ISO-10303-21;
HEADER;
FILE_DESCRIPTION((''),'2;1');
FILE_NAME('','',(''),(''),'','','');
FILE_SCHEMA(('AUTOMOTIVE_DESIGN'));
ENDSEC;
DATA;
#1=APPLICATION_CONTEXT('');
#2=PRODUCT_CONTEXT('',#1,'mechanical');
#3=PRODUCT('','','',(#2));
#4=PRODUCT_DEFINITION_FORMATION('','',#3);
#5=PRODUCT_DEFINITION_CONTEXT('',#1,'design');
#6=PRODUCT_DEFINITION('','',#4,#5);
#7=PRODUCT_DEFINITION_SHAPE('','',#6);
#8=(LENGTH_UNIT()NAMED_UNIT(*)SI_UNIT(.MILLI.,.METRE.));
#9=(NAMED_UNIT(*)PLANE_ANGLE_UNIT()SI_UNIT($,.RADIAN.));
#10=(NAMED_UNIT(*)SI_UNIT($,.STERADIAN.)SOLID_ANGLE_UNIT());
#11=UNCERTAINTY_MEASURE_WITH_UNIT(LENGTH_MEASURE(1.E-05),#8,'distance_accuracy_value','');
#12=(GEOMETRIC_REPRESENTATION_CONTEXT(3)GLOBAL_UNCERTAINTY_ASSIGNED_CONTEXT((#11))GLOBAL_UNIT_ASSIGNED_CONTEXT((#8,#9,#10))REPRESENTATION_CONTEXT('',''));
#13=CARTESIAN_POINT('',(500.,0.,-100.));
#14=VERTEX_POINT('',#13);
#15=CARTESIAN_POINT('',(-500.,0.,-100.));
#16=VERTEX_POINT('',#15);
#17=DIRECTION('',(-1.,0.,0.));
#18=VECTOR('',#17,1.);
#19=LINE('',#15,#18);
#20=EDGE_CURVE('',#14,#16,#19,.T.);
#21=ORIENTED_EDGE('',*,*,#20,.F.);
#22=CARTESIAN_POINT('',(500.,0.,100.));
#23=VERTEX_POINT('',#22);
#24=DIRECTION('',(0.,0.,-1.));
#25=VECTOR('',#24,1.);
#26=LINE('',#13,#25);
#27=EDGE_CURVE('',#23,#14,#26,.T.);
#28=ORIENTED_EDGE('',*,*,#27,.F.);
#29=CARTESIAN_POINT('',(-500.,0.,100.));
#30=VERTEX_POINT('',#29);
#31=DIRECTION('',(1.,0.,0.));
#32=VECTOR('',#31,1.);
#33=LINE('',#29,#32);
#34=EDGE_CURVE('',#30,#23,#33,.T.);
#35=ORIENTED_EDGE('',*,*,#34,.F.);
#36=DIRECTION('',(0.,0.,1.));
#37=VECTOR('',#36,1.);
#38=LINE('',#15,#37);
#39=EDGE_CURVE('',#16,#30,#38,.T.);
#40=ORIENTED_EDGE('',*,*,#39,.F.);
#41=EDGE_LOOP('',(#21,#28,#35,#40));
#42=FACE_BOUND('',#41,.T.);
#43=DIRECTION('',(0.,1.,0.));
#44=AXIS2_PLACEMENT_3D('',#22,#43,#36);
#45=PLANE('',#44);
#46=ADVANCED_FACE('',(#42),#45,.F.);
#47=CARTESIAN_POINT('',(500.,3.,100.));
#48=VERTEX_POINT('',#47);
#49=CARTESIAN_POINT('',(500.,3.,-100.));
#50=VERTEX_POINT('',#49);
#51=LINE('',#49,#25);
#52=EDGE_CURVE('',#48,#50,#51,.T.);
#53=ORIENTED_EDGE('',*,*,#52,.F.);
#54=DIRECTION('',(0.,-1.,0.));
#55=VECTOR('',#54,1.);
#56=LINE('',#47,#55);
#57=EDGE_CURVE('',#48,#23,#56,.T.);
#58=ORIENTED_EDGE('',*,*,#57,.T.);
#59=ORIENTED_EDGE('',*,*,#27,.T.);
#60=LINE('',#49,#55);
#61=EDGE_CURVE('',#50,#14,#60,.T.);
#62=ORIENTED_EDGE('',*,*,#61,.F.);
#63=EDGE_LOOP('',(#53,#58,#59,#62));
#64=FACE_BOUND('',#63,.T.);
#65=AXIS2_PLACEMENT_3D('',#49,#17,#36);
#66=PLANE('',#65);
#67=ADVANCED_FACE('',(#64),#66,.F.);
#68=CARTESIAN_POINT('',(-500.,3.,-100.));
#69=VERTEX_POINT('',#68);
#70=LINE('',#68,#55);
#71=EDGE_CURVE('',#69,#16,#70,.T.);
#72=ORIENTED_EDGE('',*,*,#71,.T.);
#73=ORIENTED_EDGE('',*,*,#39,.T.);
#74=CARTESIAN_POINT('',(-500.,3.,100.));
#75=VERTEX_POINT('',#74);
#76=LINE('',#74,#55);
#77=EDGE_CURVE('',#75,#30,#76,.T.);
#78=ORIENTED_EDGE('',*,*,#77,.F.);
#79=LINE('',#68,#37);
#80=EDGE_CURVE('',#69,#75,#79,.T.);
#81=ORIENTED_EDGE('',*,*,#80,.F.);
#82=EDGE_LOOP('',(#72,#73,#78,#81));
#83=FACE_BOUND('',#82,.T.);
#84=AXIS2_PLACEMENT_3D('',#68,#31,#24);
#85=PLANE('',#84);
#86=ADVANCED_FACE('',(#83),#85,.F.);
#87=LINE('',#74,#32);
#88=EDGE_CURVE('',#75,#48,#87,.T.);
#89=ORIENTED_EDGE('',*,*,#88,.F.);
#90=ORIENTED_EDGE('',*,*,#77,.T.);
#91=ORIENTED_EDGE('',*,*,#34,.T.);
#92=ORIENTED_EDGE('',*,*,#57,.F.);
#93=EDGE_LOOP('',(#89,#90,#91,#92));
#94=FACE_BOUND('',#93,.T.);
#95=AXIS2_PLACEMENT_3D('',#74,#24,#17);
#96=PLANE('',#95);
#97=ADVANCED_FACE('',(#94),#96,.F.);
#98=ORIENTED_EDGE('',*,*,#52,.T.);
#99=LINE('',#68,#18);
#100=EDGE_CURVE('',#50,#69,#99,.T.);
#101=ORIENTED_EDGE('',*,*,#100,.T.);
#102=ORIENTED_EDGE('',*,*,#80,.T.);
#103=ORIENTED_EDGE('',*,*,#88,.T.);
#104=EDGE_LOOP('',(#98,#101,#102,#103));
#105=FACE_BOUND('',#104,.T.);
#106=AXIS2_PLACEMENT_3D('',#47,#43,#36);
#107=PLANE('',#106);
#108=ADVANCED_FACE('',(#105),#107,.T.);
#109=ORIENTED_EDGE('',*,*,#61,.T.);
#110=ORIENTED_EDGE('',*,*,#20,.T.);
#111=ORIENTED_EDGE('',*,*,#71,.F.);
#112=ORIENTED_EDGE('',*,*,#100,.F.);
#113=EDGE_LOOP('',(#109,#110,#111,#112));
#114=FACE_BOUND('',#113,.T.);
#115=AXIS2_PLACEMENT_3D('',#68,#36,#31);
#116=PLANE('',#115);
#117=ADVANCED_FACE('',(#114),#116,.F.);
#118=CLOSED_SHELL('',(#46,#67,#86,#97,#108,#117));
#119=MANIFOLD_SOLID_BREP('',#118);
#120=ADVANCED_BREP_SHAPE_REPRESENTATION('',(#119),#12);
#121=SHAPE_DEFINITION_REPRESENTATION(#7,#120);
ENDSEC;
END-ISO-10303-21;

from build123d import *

# Parameters (mm, degrees)
SKETCH1_W      = 1000
SKETCH1_H      = 200
EXTRUDE1_DEPTH = 3


with BuildPart() as part:
    # Sketch1 → Extrude1 (new body)
    with BuildSketch(Plane(origin=(0, 0, 0), x_dir=(1, 0, 0), z_dir=(0, 1, 0))):
        Rectangle(SKETCH1_W, SKETCH1_H)
    extrude(amount=EXTRUDE1_DEPTH)


solid = part.part
